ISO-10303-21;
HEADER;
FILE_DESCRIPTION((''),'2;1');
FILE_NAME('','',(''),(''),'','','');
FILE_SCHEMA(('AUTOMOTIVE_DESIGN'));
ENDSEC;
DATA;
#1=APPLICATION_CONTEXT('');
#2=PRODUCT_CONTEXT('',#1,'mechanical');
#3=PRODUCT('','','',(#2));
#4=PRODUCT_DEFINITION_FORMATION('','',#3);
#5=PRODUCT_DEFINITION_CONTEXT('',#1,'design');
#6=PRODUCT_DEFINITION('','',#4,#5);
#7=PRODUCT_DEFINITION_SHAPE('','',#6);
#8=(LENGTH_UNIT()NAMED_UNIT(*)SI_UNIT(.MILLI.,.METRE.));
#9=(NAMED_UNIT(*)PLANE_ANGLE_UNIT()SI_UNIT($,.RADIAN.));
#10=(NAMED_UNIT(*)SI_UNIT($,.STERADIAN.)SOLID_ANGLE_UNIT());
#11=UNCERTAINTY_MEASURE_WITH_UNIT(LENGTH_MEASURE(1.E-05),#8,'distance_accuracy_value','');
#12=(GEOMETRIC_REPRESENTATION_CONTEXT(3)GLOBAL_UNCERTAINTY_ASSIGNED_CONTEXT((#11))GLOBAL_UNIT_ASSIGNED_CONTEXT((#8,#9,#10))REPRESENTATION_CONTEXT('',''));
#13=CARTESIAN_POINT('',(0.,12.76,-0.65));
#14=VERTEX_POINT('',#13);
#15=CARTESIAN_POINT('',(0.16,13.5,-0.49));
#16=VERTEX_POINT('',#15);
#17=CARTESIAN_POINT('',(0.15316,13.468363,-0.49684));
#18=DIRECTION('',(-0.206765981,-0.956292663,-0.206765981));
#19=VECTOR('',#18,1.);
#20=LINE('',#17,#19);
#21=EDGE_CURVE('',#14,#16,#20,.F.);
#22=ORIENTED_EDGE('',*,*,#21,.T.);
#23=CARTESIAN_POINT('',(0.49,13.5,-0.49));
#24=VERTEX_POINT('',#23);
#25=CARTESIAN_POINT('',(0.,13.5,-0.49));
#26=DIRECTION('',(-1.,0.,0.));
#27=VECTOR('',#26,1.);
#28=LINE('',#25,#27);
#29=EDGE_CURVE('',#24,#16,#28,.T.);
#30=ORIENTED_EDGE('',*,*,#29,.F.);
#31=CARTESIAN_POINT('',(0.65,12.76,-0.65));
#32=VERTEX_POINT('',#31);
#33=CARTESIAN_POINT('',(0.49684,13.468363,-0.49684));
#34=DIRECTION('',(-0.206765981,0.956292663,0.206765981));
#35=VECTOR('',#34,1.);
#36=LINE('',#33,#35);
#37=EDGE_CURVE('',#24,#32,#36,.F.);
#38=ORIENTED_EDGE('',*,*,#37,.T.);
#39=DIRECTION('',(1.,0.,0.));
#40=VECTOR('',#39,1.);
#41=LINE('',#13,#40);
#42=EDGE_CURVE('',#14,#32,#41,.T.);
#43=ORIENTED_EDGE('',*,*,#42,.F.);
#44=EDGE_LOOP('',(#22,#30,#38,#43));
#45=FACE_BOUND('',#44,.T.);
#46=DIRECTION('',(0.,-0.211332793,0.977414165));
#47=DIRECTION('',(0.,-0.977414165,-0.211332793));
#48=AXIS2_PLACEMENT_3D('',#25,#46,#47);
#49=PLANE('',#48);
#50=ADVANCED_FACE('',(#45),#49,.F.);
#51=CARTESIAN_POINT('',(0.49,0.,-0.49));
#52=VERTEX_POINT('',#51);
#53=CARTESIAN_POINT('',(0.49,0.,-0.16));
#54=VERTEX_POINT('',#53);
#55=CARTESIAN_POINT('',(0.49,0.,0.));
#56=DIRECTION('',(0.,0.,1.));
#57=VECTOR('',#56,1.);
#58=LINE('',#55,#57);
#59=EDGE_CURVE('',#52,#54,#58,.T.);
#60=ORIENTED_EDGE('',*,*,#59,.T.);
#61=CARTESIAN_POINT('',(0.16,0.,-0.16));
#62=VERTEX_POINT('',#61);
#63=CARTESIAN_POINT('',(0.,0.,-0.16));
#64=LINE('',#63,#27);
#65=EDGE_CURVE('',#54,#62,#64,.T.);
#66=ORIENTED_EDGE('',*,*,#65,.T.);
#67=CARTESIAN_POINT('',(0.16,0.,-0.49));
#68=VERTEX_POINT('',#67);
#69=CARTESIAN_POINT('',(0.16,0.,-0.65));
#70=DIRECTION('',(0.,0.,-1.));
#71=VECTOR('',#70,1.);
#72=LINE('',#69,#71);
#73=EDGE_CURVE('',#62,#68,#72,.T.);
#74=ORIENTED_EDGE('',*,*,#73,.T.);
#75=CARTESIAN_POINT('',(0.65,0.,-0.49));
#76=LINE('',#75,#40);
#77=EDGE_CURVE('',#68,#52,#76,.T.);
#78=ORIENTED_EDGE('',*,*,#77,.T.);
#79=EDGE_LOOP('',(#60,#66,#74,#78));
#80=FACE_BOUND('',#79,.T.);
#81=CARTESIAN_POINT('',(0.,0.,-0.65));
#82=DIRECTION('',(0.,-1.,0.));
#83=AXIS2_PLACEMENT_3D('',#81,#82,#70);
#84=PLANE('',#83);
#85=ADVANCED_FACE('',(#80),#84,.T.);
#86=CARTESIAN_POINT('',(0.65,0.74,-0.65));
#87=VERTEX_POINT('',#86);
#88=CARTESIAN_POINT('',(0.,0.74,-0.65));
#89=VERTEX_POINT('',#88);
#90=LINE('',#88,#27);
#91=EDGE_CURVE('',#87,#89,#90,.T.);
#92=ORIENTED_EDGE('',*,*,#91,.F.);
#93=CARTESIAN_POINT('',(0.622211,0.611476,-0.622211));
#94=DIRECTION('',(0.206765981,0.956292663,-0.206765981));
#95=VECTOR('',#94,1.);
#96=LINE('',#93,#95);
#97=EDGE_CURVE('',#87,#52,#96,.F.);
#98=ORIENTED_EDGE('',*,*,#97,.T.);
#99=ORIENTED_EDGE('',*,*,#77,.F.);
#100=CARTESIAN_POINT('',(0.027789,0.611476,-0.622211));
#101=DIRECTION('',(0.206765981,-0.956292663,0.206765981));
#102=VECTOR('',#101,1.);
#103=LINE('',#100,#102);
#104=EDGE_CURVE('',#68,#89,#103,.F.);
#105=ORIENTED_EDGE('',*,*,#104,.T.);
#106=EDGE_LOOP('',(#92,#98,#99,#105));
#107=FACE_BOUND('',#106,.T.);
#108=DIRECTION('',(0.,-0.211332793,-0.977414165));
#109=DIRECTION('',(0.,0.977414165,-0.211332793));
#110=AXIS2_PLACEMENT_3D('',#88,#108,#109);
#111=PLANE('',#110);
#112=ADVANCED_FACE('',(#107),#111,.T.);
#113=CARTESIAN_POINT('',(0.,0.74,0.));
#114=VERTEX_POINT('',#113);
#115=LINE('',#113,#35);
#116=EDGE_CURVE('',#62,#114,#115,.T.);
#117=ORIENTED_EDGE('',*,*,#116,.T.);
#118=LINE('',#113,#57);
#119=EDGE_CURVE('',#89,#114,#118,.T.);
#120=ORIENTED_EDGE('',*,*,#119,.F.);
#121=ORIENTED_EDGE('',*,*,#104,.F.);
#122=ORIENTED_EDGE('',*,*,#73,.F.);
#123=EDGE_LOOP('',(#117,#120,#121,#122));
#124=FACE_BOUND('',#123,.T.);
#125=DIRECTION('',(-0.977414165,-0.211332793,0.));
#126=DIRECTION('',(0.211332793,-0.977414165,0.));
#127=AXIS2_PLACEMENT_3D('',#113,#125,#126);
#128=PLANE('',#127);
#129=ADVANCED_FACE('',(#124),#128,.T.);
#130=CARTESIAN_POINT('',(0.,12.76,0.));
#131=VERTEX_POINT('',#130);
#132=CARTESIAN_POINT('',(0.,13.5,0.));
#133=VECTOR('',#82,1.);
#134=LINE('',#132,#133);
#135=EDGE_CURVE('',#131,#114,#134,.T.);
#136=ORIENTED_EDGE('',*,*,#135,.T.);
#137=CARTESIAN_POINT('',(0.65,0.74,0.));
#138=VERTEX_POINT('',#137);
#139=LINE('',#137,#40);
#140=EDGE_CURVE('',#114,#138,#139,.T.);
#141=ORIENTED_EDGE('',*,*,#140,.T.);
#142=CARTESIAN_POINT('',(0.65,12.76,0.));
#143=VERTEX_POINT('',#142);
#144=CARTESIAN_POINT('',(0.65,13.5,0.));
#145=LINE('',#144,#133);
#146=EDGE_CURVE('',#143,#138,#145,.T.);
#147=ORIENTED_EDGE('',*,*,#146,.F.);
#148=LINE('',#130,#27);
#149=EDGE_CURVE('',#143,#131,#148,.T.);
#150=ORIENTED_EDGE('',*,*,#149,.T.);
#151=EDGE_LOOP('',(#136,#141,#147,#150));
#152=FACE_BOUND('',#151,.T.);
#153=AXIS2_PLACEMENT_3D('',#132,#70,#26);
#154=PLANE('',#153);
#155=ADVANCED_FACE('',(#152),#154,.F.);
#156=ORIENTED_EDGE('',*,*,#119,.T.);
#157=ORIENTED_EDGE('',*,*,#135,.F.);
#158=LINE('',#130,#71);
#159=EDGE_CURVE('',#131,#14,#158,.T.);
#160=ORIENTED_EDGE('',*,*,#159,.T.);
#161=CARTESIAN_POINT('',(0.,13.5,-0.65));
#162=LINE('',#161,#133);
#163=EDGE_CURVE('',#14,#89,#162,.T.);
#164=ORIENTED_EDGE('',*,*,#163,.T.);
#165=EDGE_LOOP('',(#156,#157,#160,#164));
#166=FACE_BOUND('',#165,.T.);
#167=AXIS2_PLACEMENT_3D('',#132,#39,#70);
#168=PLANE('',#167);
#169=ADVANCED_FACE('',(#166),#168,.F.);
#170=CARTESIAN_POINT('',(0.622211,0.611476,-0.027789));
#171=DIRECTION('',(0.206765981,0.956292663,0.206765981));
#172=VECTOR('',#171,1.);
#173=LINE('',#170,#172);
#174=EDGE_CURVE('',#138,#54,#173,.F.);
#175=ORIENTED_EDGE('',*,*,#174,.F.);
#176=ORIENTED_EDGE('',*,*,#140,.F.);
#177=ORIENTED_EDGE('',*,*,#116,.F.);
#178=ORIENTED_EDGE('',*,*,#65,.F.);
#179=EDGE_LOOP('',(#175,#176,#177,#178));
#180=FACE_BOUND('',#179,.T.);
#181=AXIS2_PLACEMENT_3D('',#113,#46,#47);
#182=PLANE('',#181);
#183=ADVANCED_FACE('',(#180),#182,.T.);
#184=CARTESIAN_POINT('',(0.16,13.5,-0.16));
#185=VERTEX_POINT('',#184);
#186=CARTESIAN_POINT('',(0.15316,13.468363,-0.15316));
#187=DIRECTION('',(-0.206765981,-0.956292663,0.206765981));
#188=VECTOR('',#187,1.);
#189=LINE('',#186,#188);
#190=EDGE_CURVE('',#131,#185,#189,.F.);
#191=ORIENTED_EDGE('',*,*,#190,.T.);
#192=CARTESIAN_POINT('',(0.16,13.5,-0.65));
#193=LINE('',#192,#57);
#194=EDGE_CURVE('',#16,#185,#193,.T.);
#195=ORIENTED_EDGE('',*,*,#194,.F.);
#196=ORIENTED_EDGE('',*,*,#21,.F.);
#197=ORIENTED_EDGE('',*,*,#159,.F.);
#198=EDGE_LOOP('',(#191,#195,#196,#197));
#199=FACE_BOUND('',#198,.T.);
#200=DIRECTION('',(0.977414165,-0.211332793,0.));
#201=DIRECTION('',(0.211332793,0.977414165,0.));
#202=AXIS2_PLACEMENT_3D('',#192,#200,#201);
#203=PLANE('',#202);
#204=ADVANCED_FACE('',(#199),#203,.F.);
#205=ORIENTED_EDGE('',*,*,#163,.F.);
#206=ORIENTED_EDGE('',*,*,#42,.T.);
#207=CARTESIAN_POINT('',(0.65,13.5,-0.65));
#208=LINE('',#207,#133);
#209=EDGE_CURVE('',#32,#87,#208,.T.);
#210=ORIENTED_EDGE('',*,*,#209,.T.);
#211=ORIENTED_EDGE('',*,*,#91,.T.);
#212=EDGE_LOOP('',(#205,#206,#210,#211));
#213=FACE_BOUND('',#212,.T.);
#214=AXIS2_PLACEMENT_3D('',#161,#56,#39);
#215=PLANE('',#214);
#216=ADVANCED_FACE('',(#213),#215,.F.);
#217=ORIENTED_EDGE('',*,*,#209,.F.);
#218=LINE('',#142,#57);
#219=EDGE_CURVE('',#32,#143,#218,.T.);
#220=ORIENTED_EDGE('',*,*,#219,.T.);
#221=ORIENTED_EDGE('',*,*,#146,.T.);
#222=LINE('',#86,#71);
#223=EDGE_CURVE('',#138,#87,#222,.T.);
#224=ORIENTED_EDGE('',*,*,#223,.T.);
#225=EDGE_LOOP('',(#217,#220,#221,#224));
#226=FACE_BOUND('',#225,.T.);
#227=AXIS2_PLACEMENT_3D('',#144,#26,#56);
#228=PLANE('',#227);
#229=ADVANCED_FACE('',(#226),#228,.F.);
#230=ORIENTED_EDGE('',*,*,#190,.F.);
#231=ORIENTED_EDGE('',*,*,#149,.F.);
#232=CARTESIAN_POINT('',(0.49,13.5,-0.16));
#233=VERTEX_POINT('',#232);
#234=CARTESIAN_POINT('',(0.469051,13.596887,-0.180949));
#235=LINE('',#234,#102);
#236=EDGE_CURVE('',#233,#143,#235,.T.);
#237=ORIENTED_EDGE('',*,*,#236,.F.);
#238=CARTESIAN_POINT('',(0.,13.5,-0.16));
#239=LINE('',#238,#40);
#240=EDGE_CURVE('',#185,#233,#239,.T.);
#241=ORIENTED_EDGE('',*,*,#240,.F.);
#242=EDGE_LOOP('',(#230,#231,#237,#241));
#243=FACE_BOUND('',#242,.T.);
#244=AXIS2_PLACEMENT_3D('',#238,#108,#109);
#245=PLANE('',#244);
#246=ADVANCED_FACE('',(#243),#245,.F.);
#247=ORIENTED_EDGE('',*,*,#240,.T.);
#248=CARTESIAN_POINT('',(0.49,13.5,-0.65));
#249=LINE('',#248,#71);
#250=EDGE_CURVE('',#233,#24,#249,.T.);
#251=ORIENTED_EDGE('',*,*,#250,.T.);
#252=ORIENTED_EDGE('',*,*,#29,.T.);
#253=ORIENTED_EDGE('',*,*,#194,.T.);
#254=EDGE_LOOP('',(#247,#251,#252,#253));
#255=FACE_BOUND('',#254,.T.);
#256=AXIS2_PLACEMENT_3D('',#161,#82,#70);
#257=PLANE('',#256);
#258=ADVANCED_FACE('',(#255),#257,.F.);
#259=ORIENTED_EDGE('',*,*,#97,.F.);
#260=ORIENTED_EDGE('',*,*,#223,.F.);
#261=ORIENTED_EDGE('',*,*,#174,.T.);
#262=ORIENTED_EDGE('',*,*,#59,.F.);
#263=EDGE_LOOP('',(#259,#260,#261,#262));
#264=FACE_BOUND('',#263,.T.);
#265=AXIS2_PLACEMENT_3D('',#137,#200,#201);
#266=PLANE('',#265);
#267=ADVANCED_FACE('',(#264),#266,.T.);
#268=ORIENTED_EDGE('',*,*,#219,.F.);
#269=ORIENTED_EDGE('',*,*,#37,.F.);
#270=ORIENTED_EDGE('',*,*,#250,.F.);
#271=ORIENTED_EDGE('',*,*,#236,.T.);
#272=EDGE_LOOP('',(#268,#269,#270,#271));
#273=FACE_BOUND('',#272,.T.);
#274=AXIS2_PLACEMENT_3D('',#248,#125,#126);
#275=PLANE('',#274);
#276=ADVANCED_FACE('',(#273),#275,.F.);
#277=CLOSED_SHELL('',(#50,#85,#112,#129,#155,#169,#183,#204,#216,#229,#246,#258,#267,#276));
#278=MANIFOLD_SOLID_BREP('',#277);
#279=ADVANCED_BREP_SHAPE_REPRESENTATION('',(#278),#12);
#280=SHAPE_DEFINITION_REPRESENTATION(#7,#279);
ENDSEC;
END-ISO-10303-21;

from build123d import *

# Parameters (mm, degrees)
SKETCH1_W             = 0.65
SKETCH1_H             = 0.65
BOSS_EXTRUDE1_DEPTH   = 13.5
CHAMFER1_SIZE         = 0.74
CHAMFER1_SIZE2        = 0.16
CHAMFER1_PART_2_SIZE  = 0.74
CHAMFER1_PART_2_SIZE2 = 0.16
CHAMFER1_PART_3_SIZE  = 0.74
CHAMFER1_PART_3_SIZE2 = 0.16
CHAMFER1_PART_4_SIZE  = 0.74
CHAMFER1_PART_4_SIZE2 = 0.16
CHAMFER2_SIZE         = 0.16
CHAMFER2_SIZE2        = 0.74


with BuildPart() as part:
    # Sketch1 → Boss-Extrude1 (new body)
    with BuildSketch(Plane(origin=(0, 0, 0), x_dir=(1, 0, 0), z_dir=(0, 1, 0))):
        with Locations((0.325, 0.325)):
            Rectangle(SKETCH1_W, SKETCH1_H)
    extrude(amount=BOSS_EXTRUDE1_DEPTH)

    # Chamfer1
    chamfer1_edges = [part.edges().sort_by_distance(p)[0] for p in [
        (0.65, 13.5, -0.325),
    ]]
    chamfer1_side = [part.faces().sort_by_distance(p)[0] for p in [
        (0.65, 6.75, -0.325),
    ]]
    chamfer(chamfer1_edges, length=CHAMFER1_SIZE, length2=CHAMFER1_SIZE2, reference=chamfer1_side[0])

    # Chamfer1 part 2
    chamfer1_part_2_edges = [part.edges().sort_by_distance(p)[0] for p in [
        (0.325, 13.5, -0.65),
    ]]
    chamfer1_part_2_side = [part.faces().sort_by_distance(p)[0] for p in [
        (0.325, 6.75, -0.65),
    ]]
    chamfer(chamfer1_part_2_edges, length=CHAMFER1_PART_2_SIZE, length2=CHAMFER1_PART_2_SIZE2, reference=chamfer1_part_2_side[0])

    # Chamfer1 part 3
    chamfer1_part_3_edges = [part.edges().sort_by_distance(p)[0] for p in [
        (0, 13.5, -0.325),
    ]]
    chamfer1_part_3_side = [part.faces().sort_by_distance(p)[0] for p in [
        (0, 6.75, -0.325),
    ]]
    chamfer(chamfer1_part_3_edges, length=CHAMFER1_PART_3_SIZE, length2=CHAMFER1_PART_3_SIZE2, reference=chamfer1_part_3_side[0])

    # Chamfer1 part 4
    chamfer1_part_4_edges = [part.edges().sort_by_distance(p)[0] for p in [
        (0.325, 13.5, 0),
    ]]
    chamfer1_part_4_side = [part.faces().sort_by_distance(p)[0] for p in [
        (0.325, 6.75, 0),
    ]]
    chamfer(chamfer1_part_4_edges, length=CHAMFER1_PART_4_SIZE, length2=CHAMFER1_PART_4_SIZE2, reference=chamfer1_part_4_side[0])

    # Chamfer2
    chamfer2_edges = [part.edges().sort_by_distance(p)[0] for p in [
        (0.325, 0, -0.65),
        (0.65, 0, -0.325),
        (0.325, 0, 0),
        (0, 0, -0.325),
    ]]
    chamfer2_side = [part.faces().sort_by_distance(p)[0] for p in [
        (0.325, 0, -0.325),
    ]]
    chamfer(chamfer2_edges, length=CHAMFER2_SIZE, length2=CHAMFER2_SIZE2, reference=chamfer2_side[0])


solid = part.part
